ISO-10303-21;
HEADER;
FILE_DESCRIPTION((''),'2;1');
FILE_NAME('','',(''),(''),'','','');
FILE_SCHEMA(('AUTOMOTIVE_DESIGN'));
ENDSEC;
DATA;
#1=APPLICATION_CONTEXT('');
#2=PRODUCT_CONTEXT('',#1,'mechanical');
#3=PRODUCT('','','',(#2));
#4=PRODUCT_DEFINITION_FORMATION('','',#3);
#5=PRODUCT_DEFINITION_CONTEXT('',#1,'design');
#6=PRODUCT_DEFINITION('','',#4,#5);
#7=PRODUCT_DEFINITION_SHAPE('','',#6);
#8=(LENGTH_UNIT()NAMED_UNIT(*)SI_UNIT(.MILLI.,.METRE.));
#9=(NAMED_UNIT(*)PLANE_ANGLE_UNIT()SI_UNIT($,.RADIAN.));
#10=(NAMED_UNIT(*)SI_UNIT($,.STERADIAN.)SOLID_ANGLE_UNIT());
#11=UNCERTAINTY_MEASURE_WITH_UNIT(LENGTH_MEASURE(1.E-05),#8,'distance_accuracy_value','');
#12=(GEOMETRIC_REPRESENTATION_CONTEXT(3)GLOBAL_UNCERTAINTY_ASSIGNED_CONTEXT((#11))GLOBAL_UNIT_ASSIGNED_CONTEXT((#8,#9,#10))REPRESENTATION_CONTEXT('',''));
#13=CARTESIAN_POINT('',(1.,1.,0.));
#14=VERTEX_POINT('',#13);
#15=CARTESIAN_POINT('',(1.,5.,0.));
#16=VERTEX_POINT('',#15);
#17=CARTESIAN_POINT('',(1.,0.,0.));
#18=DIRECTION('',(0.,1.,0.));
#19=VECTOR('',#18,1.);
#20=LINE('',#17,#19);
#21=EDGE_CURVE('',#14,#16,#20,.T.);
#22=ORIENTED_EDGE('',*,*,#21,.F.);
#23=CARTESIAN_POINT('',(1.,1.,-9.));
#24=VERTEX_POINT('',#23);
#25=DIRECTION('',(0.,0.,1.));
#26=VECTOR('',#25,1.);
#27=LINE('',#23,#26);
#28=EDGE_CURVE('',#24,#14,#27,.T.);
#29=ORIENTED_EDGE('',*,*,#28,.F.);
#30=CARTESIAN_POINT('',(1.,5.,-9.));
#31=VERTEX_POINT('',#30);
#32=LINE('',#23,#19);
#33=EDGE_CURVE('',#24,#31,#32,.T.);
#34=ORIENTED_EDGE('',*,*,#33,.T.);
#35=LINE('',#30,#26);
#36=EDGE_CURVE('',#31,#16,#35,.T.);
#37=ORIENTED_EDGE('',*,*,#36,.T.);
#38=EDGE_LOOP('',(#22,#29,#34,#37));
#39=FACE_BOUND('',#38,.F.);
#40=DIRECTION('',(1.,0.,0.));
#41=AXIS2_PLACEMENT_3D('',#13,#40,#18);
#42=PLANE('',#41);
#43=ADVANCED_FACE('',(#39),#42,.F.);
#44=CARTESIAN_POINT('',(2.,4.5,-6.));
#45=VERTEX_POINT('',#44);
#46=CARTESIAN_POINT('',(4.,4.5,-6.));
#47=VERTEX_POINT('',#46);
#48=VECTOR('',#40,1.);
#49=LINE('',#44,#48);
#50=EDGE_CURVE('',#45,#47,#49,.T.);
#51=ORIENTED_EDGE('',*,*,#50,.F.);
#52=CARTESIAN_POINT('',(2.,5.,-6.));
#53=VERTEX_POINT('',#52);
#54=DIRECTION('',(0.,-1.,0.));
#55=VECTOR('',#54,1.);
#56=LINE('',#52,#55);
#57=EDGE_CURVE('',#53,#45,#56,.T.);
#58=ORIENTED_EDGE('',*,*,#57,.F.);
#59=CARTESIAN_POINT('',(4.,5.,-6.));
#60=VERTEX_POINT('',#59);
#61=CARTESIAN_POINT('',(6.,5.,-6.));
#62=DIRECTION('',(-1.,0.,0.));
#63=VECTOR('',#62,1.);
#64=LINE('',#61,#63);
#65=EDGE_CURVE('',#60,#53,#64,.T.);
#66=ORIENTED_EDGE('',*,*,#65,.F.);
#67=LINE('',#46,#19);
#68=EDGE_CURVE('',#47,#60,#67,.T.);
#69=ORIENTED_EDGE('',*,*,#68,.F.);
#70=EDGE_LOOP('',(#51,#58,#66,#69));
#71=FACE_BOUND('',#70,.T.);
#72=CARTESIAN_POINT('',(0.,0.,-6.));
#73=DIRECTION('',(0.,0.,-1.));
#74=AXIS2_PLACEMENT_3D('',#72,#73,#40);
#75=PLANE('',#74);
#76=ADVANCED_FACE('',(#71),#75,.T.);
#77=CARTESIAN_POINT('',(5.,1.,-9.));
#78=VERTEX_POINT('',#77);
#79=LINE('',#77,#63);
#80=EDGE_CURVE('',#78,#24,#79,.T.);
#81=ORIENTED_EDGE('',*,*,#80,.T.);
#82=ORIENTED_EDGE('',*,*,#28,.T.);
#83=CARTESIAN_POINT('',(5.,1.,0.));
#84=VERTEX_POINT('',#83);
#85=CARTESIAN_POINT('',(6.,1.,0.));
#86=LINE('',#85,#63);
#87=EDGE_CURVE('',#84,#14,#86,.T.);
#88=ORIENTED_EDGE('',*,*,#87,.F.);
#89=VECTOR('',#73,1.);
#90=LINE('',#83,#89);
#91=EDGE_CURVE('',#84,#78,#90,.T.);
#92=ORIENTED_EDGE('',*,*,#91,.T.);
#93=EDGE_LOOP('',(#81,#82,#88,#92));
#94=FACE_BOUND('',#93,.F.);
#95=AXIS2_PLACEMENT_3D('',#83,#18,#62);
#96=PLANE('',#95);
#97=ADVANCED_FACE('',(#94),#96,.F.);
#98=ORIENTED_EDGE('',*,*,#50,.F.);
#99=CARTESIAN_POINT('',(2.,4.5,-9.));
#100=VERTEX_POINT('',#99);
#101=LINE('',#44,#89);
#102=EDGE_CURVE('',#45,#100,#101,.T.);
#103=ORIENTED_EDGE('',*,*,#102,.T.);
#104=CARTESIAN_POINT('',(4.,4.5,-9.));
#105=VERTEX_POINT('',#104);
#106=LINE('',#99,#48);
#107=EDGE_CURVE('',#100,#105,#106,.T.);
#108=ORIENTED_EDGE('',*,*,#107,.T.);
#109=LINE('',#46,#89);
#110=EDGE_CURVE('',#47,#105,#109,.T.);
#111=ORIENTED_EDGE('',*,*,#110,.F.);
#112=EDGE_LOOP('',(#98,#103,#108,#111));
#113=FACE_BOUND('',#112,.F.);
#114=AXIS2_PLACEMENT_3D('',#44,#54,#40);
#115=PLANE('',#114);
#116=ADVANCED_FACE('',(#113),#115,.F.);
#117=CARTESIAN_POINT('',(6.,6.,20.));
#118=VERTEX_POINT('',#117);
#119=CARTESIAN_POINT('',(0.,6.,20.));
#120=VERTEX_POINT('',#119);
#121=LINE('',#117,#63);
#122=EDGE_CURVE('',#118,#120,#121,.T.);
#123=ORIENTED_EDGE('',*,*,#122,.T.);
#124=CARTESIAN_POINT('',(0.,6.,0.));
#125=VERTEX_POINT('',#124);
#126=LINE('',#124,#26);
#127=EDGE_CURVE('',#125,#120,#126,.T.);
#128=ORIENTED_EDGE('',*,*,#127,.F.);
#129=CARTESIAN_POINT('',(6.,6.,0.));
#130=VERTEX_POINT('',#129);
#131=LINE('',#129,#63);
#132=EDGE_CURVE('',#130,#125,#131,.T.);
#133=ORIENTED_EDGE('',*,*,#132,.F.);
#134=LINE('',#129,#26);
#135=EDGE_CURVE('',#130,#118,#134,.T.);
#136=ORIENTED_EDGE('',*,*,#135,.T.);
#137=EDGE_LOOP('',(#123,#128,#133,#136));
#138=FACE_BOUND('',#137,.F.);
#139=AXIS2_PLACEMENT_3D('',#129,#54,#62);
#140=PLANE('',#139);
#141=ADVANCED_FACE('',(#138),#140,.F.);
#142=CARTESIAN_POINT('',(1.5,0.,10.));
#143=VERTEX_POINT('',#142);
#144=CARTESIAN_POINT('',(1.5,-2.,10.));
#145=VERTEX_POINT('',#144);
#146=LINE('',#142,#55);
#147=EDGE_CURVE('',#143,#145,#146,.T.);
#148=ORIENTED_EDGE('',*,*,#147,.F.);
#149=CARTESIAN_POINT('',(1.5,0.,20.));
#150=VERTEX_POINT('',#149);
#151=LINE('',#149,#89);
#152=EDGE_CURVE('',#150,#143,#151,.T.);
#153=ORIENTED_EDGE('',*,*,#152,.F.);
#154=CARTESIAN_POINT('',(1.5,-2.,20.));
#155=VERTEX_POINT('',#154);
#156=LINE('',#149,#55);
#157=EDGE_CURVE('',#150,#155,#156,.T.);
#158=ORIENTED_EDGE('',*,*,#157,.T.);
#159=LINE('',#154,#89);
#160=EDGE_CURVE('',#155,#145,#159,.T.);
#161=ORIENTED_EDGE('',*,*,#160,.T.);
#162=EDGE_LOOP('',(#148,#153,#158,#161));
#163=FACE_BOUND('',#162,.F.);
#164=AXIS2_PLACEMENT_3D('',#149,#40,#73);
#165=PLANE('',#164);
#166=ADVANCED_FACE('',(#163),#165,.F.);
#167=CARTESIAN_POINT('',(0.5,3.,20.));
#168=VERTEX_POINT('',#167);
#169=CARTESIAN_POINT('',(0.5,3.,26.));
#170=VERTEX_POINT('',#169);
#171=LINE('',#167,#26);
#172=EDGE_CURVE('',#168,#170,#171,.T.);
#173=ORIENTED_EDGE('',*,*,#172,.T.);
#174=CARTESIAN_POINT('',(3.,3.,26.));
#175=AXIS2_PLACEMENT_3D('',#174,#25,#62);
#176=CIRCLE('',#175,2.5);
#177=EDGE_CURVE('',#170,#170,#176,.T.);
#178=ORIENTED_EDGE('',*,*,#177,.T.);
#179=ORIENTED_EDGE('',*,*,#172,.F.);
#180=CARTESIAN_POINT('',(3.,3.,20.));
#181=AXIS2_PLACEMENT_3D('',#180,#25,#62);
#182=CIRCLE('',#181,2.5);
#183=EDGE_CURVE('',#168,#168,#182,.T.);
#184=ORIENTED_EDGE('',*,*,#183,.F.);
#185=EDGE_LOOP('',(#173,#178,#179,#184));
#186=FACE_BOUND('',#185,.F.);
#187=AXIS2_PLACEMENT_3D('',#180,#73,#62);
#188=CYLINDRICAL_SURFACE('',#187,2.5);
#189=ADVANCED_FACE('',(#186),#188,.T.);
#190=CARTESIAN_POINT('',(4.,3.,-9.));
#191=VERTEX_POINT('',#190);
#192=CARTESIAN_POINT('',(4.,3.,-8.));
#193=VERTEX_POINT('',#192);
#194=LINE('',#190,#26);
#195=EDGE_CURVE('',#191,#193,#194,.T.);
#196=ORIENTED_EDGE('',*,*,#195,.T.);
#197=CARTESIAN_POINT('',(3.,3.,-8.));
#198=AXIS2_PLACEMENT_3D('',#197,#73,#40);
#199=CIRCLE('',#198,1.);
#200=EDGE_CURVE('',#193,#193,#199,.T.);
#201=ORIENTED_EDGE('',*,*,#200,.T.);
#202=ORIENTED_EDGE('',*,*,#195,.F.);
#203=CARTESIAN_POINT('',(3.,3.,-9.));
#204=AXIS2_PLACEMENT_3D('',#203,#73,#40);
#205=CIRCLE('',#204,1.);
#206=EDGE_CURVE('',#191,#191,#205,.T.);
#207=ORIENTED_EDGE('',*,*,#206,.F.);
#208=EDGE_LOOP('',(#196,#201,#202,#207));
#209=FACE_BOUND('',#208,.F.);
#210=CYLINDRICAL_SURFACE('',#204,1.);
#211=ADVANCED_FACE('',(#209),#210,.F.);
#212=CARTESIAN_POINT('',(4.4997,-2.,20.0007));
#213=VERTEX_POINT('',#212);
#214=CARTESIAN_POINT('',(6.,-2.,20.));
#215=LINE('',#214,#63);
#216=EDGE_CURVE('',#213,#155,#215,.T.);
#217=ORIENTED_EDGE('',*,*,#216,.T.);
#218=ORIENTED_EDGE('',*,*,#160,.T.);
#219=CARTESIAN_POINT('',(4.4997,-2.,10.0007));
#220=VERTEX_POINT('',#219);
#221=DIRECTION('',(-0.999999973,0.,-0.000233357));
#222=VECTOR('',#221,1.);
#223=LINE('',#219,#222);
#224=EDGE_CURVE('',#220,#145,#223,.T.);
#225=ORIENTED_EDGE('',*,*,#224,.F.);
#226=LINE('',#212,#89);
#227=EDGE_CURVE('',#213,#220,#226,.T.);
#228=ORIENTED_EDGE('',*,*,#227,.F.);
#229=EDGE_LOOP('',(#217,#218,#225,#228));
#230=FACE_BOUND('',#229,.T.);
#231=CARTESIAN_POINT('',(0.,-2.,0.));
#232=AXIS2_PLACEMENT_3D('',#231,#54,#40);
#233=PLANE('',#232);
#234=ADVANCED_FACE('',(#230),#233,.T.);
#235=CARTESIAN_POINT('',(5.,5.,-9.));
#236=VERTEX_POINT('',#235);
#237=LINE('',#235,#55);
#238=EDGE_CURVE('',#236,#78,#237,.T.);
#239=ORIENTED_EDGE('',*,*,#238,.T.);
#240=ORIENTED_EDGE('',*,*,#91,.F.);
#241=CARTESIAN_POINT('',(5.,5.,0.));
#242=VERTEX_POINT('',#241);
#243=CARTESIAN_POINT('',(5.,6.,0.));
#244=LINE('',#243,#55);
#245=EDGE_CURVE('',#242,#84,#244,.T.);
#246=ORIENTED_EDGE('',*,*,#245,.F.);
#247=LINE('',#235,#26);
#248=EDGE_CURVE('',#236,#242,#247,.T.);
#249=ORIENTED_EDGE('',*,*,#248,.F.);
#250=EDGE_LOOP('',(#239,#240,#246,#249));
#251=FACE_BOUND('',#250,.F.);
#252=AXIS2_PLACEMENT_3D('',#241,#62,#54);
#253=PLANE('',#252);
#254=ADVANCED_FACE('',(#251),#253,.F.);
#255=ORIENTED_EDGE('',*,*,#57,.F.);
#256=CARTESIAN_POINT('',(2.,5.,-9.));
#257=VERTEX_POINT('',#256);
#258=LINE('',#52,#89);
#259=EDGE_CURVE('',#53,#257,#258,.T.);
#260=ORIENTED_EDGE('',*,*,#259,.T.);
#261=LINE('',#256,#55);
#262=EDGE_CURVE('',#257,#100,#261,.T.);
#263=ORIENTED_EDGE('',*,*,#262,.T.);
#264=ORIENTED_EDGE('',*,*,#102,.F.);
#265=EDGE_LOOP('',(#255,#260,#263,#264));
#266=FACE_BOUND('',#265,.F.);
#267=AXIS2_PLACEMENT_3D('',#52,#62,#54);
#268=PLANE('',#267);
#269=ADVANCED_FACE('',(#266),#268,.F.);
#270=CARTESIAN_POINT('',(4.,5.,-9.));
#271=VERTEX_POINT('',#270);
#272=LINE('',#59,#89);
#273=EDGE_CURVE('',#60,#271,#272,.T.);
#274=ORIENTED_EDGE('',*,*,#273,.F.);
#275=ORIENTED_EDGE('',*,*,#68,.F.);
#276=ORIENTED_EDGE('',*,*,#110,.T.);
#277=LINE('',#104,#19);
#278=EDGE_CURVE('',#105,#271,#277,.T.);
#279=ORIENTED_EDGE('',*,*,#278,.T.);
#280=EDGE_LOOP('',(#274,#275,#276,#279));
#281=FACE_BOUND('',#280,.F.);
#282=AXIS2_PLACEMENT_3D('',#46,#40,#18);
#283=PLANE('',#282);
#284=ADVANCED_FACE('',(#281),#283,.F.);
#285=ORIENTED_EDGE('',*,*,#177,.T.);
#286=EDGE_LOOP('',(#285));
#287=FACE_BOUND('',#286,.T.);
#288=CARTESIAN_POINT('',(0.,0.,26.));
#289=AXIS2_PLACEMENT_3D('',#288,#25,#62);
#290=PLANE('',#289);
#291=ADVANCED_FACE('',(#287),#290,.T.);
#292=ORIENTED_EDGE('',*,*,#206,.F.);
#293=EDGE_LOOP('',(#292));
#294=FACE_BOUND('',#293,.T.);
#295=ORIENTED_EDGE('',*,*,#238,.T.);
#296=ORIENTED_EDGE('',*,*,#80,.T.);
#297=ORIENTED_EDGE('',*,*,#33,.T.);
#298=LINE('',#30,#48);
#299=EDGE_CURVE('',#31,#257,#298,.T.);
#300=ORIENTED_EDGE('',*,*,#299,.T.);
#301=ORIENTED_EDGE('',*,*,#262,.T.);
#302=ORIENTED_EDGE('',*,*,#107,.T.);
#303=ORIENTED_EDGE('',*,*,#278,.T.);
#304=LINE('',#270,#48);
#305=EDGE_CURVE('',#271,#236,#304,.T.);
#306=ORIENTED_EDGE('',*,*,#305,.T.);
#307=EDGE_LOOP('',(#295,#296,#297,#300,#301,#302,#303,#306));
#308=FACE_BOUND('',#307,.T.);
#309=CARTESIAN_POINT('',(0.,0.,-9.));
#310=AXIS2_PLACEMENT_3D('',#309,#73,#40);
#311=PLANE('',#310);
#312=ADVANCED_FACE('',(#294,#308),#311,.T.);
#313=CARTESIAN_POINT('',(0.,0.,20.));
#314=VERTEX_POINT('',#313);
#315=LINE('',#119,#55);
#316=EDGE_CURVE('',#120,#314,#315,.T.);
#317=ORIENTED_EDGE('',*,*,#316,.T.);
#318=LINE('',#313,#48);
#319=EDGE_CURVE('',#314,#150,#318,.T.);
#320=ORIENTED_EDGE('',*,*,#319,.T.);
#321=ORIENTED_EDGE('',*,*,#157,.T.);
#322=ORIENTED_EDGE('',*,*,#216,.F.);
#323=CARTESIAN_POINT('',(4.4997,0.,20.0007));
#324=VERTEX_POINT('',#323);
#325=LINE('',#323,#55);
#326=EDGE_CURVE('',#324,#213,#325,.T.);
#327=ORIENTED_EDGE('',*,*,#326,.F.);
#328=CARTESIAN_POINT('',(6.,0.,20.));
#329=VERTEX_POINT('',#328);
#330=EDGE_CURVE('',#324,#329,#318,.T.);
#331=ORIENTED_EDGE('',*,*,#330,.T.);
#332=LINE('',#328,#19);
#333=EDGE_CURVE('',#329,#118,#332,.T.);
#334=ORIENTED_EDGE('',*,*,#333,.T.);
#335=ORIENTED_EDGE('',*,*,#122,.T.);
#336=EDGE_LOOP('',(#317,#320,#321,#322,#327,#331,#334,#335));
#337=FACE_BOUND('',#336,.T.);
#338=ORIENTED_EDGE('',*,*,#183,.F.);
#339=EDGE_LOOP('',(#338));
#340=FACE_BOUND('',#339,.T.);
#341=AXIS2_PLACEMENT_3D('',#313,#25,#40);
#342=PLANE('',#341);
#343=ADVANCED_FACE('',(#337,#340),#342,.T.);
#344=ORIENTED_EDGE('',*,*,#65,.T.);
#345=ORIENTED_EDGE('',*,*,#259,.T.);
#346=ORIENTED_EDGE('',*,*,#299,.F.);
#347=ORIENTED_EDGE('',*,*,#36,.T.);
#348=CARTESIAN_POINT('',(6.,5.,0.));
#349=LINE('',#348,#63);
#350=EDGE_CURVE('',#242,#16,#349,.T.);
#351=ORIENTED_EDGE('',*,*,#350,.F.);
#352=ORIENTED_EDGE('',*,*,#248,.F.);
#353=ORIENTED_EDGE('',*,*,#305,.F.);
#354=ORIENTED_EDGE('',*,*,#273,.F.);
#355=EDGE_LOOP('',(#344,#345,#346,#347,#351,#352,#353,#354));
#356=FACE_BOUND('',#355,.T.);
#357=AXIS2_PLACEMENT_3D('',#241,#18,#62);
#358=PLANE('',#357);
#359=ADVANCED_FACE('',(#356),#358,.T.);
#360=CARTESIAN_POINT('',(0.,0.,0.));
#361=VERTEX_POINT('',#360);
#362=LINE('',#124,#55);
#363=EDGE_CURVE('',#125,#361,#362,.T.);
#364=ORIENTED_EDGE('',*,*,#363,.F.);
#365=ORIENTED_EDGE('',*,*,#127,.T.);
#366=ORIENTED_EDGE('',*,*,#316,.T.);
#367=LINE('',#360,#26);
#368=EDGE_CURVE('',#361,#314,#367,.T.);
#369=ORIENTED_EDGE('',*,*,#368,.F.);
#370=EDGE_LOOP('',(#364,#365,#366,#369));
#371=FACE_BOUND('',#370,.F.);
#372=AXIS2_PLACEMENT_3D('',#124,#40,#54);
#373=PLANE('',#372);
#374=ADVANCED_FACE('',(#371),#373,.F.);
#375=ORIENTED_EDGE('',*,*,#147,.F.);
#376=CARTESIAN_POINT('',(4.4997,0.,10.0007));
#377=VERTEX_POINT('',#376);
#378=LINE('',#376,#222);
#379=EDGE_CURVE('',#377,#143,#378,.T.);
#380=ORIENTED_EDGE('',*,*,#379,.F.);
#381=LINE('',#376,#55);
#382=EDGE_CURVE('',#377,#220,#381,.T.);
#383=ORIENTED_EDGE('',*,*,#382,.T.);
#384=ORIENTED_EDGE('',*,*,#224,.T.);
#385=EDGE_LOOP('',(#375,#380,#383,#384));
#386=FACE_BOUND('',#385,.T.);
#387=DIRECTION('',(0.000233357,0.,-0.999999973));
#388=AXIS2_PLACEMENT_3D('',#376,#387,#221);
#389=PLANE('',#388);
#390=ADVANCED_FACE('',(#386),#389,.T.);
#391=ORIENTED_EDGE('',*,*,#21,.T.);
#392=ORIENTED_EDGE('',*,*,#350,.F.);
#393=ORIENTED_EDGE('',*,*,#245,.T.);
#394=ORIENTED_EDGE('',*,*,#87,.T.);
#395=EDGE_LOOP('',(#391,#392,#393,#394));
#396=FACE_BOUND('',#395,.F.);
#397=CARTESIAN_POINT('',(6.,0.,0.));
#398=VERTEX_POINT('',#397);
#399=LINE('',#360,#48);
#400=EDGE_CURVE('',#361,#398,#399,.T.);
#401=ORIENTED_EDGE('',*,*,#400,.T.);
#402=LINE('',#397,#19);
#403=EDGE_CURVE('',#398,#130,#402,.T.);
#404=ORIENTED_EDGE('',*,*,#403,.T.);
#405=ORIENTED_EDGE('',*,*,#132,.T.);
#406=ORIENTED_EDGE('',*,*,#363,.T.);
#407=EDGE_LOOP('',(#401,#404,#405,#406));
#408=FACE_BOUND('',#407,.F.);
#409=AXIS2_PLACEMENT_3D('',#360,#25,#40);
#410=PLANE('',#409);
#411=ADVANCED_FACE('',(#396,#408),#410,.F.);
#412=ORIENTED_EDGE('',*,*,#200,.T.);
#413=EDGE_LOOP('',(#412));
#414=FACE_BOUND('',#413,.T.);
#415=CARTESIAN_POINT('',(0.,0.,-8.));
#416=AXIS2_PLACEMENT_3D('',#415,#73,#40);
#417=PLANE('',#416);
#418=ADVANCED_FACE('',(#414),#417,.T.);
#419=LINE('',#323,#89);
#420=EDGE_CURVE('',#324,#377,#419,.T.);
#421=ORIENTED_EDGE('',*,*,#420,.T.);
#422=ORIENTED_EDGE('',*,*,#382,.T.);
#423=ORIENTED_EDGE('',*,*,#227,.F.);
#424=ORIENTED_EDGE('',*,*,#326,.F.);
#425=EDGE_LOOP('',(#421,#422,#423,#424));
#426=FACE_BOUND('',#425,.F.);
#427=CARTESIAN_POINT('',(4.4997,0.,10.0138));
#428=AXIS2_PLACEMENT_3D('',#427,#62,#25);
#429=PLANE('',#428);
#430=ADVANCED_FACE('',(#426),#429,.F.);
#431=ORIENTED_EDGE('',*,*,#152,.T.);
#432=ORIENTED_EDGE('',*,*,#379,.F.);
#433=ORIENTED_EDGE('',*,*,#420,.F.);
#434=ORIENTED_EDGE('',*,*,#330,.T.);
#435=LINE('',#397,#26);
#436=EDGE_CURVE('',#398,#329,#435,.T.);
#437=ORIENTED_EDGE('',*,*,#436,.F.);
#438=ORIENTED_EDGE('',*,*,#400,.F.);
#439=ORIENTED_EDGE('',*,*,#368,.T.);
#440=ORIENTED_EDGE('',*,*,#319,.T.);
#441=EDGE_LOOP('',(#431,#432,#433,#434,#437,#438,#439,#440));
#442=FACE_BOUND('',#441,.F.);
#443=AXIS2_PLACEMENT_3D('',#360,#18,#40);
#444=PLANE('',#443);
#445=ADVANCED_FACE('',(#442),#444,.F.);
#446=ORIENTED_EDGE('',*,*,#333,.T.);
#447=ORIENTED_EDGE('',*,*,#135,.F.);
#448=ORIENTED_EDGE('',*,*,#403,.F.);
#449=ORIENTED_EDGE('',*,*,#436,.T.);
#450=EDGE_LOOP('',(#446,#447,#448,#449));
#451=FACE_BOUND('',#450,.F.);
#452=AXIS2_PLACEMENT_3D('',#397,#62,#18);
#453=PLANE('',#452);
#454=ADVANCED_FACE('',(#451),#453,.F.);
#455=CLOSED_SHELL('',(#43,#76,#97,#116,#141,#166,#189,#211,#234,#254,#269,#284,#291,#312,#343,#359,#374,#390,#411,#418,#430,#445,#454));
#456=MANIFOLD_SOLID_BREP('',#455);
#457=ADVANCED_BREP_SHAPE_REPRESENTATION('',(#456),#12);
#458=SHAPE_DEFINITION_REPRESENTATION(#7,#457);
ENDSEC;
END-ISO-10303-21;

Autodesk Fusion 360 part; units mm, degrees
sketch "草图1" plane through (0, 0, 0) normal (0, 0, 1) x (1, 0, 0)
  line L0 (0, 0) -> (6, 0)
  line L1 (6, 0) -> (6, 6)
  line L2 (6, 6) -> (0, 6)
  line L3 (0, 6) -> (0, 0)
extrude "拉伸1" add sketch "草图1" along normal blind 20
sketch "草图2" plane through (0, 0, 0) normal (0, -1, 0) x (1, 0, 0)
  line L0 (0, 0) -> (6, 0)
  line L1 (6, 0) -> (6, 20)
  line L2 (6, 20) -> (0, 20)
  line L3 (0, 20) -> (0, 0)
  line L4 (0, 20) -> (1.5, 20)
  line L5 (1.5, 20) -> (1.5, 10)
  line L6 (1.5, 10) -> (0, 10)
  line L7 (0, 10) -> (0, 20)
  line L8 (0, 10) -> (0, 20)
  line L9 (0, 20) -> (1.5, 20)
  line L10 (1.5, 20) -> (1.5, 10)
  line L11 (0, 10) -> (0, 20)
  line L12 (1.5, 10) -> (0, 10)
  line L13 (0, 10) -> (0, 20)
  line L14 (0, 10) -> (0, 20)
  line L15 (1.5, 20) -> (1.5, 10)
  line L16 (0, 10) -> (0, 20)
  line L17 (0, 20) -> (1.5, 20)
  line L18 (1.5, 20) -> (1.5, 10)
  line L19 (1.5, 10) -> (0, 10)
  line L20 (0, 10) -> (0, 20)
  line L21 (1.5, 10) -> (0, 10)
  line L22 (0, 20) -> (1.5, 20)
  line L23 (0, 10) -> (0, 20)
  line L24 (4.4997, 10.0138) -> (4.4997, 20.0138)
  line L25 (5.9997, 20.0138) -> (5.9997, 10.0138)
  line L26 (4.4997, 10.0138) -> (4.4997, 20.0138)
  line L27 (4.4997, 20.0138) -> (5.9997, 20.0138)
  line L28 (5.9997, 20.0007) -> (5.9997, 10.0007)
  line L29 (5.9997, 10.0138) -> (4.4997, 10.0138)
  line L30 (4.4997, 10.0007) -> (4.4997, 20.0007)
  line L31 (5.9997, 10.0007) -> (4.4997, 10.0007)
  line L32 (4.4997, 20.0007) -> (5.9997, 20.0007)
  line L33 (4.4997, 10.0138) -> (4.4997, 20.0138)
  line L34 (1.5, 20) -> (4.4997, 20)
  line L35 (4.4997, 20) -> (4.4997, 10)
  line L36 (4.4997, 10) -> (1.5, 10)
  line L37 (1.5, 10) -> (1.5, 20)
  point P0 (0, 20)
  point P1 (0, 20)
  point P2 (0, 20)
  point P3 (4.4997, 20.0138)
  point P4 (4.4997, 20.0007)
  dimension "d3" = 10
  dimension "d4" = 10
  dimension "d5" = 10
  dimension "d6" = 10
  dimension "d7" = 10
  dimension "d8" = 10
  dimension "d9" = 10
  dimension "d10" = 10
  dimension "d11" = 10
  dimension "d12" = 10
  dimension "d13" = 10
  dimension "d14" = 10
  dimension "d15" = 10
extrude "拉伸2" add sketch "草图2" along normal blind 2 contours L2 L5 L10 L15 L18 L24 L26 L30 L33 L34 L35 L36 L37
sketch "草图3" plane through (0, 0, 20) normal (0, 0, 1) x (-1, 0, 0)
  line L0 (0, -6) -> (0, 0)
  line L1 (0, 0) -> (-1.5, 0)
  line L2 (-1.5, 0) -> (-1.5, 2)
  line L3 (-1.5, 2) -> (-4.4997, 2)
  line L4 (-4.4997, 2) -> (-4.4997, 0)
  line L5 (-4.4997, 0) -> (-6, 0)
  line L6 (-6, 0) -> (-6, -6)
  line L7 (-6, -6) -> (0, -6)
  circle A0 centre (-3, -3) radius 2.5
  dimension "d18" = 5
extrude "拉伸3" add sketch "草图3" along normal blind 6 contours A0
sketch "草图4" plane through (0, 0, 0) normal (0, 0, -1) x (1, 0, 0)
  line L0 (0, 0) -> (0, -6)
  line L1 (0, -6) -> (6, -6)
  line L2 (6, -6) -> (6, 0)
  line L3 (6, 0) -> (0, 0)
  line L4 (0, 0) -> (1, 0)
  line L5 (1, 0) -> (1, -6)
  line L6 (1, -6) -> (0, -6)
  line L7 (0, -6) -> (0, 0)
  line L8 (5, 0) -> (6, 0)
  line L9 (6, 0) -> (6, -6)
  line L10 (6, -6) -> (5, -6)
  line L11 (5, -6) -> (5, 0)
  line L12 (6, -5) -> (0, -5)
  line L13 (0, -5) -> (0, -6)
  line L14 (0, -6) -> (6, -6)
  line L15 (6, -6) -> (6, -5)
  line L16 (0, 0) -> (6, 0)
  line L17 (6, 0) -> (6, -1)
  line L18 (6, -1) -> (0, -1)
  line L19 (0, -1) -> (0, 0)
  line L20 (1, -1) -> (5, -1)
  line L21 (5, -1) -> (5, -5)
  line L22 (5, -5) -> (1, -5)
  line L23 (1, -5) -> (1, -1)
extrude "拉伸4" add sketch "草图4" along normal blind 6 contours L5 L11 L12 L18 L20 L21 L22 L23
sketch "草图5" plane through (0, 0, -6) normal (0, 0, -1) x (1, 0, 0)
  line L0 (5, -5) -> (5, -1)
  line L1 (5, -1) -> (1, -1)
  line L2 (1, -1) -> (1, -5)
  line L3 (1, -1) -> (5, -1)
  line L4 (5, -1) -> (5, -5)
  line L5 (1, -5) -> (1, -1)
  line L6 (1, -5) -> (2, -5)
  line L7 (2, -5) -> (2, -4.5)
  line L8 (2, -4.5) -> (4, -4.5)
  line L9 (4, -4.5) -> (4, -5)
  line L10 (4, -5) -> (5, -5)
  circle A0 centre (3, -3) radius 1
  dimension "d23" = 2
extrude "拉伸5" add sketch "草图5" along normal blind 3 contours L0 L1 L2 L3 L4 L5 L6 L7 L8 L9 L10 | A0
sketch "草图6" plane through (0, 0, -9) normal (0, 0, -1) x (1, 0, 0)
  line L0 (1, -5) -> (2, -5)
  line L1 (2, -5) -> (2, -4.5)
  line L2 (2, -4.5) -> (4, -4.5)
  line L3 (4, -4.5) -> (4, -5)
  line L4 (4, -5) -> (5, -5)
  line L5 (5, -5) -> (5, -1)
  line L6 (5, -1) -> (1, -1)
  line L7 (1, -1) -> (1, -5)
  circle A0 centre (3, -3) radius 1
  dimension "d26" = 2
extrude "拉伸6" cut sketch "草图6" against normal blind 1 contours A0
